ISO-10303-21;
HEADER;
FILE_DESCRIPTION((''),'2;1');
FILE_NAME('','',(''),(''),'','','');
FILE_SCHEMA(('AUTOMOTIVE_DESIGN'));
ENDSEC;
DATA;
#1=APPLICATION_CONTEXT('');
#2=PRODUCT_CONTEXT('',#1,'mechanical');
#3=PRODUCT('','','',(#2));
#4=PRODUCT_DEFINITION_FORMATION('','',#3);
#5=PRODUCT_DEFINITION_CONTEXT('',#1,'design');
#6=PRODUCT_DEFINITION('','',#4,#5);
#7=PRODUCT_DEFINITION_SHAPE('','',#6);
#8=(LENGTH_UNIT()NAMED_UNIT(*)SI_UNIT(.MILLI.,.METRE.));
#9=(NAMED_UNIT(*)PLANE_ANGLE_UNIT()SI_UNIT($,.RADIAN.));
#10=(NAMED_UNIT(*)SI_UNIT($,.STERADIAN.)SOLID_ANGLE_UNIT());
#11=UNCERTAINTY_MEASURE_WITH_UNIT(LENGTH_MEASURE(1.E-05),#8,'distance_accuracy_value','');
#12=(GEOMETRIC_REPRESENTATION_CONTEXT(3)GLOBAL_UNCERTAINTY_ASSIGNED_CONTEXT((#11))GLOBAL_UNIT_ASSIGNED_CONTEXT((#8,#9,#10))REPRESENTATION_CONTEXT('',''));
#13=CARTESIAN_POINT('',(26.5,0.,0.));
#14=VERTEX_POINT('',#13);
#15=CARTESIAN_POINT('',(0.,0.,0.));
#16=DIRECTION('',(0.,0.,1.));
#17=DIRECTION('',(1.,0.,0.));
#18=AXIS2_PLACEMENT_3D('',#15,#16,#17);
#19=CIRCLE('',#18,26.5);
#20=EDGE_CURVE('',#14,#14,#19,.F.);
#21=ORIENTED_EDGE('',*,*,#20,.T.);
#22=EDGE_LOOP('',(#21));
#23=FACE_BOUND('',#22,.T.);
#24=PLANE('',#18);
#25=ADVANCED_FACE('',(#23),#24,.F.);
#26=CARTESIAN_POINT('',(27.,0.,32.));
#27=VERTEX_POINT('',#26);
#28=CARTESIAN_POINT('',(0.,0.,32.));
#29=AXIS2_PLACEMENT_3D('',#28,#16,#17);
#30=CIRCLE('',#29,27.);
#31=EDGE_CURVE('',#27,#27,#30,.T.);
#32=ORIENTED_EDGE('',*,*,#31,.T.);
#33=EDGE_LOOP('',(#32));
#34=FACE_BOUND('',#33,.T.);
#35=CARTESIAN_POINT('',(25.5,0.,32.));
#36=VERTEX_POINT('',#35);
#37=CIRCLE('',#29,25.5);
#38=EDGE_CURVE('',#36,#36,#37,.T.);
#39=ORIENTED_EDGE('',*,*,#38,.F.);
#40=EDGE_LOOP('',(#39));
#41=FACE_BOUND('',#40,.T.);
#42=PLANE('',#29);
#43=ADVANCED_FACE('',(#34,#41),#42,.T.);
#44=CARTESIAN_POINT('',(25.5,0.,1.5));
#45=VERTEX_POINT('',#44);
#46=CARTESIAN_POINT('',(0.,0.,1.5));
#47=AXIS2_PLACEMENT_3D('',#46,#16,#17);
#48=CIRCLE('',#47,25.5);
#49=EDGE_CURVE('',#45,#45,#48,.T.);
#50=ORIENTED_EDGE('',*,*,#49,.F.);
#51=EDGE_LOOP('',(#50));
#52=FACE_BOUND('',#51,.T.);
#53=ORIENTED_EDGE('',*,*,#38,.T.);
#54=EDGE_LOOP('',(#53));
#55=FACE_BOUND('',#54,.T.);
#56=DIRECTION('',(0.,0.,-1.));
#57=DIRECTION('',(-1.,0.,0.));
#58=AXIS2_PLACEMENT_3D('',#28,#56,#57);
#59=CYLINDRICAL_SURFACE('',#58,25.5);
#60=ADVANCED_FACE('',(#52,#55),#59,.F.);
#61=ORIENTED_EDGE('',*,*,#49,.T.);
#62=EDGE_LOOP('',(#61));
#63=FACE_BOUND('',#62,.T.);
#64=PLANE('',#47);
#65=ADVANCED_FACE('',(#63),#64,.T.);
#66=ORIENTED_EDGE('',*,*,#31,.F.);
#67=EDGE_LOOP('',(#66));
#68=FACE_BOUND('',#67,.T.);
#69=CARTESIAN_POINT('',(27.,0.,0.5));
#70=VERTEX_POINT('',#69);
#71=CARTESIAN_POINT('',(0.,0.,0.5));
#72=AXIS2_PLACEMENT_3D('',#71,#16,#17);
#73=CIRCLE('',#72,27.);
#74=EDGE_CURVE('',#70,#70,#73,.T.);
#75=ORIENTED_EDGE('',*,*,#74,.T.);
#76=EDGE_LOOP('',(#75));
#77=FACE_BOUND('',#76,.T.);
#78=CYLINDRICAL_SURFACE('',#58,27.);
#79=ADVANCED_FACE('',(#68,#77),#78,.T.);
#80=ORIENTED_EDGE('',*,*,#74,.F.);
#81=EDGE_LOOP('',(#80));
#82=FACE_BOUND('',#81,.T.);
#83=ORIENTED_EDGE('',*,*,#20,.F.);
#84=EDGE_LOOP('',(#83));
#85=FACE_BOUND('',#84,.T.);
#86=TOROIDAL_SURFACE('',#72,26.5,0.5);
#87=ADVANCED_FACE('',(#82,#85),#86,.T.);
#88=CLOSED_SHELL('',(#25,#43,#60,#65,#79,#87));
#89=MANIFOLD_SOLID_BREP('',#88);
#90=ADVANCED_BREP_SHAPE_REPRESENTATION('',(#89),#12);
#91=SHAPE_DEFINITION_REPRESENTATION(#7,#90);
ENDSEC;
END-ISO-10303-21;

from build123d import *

# Parameters (mm, degrees)
SKETCH1_R           = 27
BOSS_EXTRUDE1_DEPTH = 32
SHELL3_T            = -1.5
FILLET1_R           = 0.5


with BuildPart() as part:
    # Sketch1 → Boss-Extrude1 (new body)
    with BuildSketch(Plane.XY):
        Circle(SKETCH1_R)
    extrude(amount=BOSS_EXTRUDE1_DEPTH)

    # Shell3
    shell3_openings = [part.faces().sort_by_distance(p)[0] for p in [
        (0, 0, 32),
    ]]
    offset(amount=SHELL3_T, openings=shell3_openings, kind=Kind.INTERSECTION)

    # Fillet1
    fillet1_edges = [part.edges().sort_by_distance(p)[0] for p in [
        (-27, 0, 0),
    ]]
    fillet(fillet1_edges, radius=FILLET1_R)


solid = part.part
